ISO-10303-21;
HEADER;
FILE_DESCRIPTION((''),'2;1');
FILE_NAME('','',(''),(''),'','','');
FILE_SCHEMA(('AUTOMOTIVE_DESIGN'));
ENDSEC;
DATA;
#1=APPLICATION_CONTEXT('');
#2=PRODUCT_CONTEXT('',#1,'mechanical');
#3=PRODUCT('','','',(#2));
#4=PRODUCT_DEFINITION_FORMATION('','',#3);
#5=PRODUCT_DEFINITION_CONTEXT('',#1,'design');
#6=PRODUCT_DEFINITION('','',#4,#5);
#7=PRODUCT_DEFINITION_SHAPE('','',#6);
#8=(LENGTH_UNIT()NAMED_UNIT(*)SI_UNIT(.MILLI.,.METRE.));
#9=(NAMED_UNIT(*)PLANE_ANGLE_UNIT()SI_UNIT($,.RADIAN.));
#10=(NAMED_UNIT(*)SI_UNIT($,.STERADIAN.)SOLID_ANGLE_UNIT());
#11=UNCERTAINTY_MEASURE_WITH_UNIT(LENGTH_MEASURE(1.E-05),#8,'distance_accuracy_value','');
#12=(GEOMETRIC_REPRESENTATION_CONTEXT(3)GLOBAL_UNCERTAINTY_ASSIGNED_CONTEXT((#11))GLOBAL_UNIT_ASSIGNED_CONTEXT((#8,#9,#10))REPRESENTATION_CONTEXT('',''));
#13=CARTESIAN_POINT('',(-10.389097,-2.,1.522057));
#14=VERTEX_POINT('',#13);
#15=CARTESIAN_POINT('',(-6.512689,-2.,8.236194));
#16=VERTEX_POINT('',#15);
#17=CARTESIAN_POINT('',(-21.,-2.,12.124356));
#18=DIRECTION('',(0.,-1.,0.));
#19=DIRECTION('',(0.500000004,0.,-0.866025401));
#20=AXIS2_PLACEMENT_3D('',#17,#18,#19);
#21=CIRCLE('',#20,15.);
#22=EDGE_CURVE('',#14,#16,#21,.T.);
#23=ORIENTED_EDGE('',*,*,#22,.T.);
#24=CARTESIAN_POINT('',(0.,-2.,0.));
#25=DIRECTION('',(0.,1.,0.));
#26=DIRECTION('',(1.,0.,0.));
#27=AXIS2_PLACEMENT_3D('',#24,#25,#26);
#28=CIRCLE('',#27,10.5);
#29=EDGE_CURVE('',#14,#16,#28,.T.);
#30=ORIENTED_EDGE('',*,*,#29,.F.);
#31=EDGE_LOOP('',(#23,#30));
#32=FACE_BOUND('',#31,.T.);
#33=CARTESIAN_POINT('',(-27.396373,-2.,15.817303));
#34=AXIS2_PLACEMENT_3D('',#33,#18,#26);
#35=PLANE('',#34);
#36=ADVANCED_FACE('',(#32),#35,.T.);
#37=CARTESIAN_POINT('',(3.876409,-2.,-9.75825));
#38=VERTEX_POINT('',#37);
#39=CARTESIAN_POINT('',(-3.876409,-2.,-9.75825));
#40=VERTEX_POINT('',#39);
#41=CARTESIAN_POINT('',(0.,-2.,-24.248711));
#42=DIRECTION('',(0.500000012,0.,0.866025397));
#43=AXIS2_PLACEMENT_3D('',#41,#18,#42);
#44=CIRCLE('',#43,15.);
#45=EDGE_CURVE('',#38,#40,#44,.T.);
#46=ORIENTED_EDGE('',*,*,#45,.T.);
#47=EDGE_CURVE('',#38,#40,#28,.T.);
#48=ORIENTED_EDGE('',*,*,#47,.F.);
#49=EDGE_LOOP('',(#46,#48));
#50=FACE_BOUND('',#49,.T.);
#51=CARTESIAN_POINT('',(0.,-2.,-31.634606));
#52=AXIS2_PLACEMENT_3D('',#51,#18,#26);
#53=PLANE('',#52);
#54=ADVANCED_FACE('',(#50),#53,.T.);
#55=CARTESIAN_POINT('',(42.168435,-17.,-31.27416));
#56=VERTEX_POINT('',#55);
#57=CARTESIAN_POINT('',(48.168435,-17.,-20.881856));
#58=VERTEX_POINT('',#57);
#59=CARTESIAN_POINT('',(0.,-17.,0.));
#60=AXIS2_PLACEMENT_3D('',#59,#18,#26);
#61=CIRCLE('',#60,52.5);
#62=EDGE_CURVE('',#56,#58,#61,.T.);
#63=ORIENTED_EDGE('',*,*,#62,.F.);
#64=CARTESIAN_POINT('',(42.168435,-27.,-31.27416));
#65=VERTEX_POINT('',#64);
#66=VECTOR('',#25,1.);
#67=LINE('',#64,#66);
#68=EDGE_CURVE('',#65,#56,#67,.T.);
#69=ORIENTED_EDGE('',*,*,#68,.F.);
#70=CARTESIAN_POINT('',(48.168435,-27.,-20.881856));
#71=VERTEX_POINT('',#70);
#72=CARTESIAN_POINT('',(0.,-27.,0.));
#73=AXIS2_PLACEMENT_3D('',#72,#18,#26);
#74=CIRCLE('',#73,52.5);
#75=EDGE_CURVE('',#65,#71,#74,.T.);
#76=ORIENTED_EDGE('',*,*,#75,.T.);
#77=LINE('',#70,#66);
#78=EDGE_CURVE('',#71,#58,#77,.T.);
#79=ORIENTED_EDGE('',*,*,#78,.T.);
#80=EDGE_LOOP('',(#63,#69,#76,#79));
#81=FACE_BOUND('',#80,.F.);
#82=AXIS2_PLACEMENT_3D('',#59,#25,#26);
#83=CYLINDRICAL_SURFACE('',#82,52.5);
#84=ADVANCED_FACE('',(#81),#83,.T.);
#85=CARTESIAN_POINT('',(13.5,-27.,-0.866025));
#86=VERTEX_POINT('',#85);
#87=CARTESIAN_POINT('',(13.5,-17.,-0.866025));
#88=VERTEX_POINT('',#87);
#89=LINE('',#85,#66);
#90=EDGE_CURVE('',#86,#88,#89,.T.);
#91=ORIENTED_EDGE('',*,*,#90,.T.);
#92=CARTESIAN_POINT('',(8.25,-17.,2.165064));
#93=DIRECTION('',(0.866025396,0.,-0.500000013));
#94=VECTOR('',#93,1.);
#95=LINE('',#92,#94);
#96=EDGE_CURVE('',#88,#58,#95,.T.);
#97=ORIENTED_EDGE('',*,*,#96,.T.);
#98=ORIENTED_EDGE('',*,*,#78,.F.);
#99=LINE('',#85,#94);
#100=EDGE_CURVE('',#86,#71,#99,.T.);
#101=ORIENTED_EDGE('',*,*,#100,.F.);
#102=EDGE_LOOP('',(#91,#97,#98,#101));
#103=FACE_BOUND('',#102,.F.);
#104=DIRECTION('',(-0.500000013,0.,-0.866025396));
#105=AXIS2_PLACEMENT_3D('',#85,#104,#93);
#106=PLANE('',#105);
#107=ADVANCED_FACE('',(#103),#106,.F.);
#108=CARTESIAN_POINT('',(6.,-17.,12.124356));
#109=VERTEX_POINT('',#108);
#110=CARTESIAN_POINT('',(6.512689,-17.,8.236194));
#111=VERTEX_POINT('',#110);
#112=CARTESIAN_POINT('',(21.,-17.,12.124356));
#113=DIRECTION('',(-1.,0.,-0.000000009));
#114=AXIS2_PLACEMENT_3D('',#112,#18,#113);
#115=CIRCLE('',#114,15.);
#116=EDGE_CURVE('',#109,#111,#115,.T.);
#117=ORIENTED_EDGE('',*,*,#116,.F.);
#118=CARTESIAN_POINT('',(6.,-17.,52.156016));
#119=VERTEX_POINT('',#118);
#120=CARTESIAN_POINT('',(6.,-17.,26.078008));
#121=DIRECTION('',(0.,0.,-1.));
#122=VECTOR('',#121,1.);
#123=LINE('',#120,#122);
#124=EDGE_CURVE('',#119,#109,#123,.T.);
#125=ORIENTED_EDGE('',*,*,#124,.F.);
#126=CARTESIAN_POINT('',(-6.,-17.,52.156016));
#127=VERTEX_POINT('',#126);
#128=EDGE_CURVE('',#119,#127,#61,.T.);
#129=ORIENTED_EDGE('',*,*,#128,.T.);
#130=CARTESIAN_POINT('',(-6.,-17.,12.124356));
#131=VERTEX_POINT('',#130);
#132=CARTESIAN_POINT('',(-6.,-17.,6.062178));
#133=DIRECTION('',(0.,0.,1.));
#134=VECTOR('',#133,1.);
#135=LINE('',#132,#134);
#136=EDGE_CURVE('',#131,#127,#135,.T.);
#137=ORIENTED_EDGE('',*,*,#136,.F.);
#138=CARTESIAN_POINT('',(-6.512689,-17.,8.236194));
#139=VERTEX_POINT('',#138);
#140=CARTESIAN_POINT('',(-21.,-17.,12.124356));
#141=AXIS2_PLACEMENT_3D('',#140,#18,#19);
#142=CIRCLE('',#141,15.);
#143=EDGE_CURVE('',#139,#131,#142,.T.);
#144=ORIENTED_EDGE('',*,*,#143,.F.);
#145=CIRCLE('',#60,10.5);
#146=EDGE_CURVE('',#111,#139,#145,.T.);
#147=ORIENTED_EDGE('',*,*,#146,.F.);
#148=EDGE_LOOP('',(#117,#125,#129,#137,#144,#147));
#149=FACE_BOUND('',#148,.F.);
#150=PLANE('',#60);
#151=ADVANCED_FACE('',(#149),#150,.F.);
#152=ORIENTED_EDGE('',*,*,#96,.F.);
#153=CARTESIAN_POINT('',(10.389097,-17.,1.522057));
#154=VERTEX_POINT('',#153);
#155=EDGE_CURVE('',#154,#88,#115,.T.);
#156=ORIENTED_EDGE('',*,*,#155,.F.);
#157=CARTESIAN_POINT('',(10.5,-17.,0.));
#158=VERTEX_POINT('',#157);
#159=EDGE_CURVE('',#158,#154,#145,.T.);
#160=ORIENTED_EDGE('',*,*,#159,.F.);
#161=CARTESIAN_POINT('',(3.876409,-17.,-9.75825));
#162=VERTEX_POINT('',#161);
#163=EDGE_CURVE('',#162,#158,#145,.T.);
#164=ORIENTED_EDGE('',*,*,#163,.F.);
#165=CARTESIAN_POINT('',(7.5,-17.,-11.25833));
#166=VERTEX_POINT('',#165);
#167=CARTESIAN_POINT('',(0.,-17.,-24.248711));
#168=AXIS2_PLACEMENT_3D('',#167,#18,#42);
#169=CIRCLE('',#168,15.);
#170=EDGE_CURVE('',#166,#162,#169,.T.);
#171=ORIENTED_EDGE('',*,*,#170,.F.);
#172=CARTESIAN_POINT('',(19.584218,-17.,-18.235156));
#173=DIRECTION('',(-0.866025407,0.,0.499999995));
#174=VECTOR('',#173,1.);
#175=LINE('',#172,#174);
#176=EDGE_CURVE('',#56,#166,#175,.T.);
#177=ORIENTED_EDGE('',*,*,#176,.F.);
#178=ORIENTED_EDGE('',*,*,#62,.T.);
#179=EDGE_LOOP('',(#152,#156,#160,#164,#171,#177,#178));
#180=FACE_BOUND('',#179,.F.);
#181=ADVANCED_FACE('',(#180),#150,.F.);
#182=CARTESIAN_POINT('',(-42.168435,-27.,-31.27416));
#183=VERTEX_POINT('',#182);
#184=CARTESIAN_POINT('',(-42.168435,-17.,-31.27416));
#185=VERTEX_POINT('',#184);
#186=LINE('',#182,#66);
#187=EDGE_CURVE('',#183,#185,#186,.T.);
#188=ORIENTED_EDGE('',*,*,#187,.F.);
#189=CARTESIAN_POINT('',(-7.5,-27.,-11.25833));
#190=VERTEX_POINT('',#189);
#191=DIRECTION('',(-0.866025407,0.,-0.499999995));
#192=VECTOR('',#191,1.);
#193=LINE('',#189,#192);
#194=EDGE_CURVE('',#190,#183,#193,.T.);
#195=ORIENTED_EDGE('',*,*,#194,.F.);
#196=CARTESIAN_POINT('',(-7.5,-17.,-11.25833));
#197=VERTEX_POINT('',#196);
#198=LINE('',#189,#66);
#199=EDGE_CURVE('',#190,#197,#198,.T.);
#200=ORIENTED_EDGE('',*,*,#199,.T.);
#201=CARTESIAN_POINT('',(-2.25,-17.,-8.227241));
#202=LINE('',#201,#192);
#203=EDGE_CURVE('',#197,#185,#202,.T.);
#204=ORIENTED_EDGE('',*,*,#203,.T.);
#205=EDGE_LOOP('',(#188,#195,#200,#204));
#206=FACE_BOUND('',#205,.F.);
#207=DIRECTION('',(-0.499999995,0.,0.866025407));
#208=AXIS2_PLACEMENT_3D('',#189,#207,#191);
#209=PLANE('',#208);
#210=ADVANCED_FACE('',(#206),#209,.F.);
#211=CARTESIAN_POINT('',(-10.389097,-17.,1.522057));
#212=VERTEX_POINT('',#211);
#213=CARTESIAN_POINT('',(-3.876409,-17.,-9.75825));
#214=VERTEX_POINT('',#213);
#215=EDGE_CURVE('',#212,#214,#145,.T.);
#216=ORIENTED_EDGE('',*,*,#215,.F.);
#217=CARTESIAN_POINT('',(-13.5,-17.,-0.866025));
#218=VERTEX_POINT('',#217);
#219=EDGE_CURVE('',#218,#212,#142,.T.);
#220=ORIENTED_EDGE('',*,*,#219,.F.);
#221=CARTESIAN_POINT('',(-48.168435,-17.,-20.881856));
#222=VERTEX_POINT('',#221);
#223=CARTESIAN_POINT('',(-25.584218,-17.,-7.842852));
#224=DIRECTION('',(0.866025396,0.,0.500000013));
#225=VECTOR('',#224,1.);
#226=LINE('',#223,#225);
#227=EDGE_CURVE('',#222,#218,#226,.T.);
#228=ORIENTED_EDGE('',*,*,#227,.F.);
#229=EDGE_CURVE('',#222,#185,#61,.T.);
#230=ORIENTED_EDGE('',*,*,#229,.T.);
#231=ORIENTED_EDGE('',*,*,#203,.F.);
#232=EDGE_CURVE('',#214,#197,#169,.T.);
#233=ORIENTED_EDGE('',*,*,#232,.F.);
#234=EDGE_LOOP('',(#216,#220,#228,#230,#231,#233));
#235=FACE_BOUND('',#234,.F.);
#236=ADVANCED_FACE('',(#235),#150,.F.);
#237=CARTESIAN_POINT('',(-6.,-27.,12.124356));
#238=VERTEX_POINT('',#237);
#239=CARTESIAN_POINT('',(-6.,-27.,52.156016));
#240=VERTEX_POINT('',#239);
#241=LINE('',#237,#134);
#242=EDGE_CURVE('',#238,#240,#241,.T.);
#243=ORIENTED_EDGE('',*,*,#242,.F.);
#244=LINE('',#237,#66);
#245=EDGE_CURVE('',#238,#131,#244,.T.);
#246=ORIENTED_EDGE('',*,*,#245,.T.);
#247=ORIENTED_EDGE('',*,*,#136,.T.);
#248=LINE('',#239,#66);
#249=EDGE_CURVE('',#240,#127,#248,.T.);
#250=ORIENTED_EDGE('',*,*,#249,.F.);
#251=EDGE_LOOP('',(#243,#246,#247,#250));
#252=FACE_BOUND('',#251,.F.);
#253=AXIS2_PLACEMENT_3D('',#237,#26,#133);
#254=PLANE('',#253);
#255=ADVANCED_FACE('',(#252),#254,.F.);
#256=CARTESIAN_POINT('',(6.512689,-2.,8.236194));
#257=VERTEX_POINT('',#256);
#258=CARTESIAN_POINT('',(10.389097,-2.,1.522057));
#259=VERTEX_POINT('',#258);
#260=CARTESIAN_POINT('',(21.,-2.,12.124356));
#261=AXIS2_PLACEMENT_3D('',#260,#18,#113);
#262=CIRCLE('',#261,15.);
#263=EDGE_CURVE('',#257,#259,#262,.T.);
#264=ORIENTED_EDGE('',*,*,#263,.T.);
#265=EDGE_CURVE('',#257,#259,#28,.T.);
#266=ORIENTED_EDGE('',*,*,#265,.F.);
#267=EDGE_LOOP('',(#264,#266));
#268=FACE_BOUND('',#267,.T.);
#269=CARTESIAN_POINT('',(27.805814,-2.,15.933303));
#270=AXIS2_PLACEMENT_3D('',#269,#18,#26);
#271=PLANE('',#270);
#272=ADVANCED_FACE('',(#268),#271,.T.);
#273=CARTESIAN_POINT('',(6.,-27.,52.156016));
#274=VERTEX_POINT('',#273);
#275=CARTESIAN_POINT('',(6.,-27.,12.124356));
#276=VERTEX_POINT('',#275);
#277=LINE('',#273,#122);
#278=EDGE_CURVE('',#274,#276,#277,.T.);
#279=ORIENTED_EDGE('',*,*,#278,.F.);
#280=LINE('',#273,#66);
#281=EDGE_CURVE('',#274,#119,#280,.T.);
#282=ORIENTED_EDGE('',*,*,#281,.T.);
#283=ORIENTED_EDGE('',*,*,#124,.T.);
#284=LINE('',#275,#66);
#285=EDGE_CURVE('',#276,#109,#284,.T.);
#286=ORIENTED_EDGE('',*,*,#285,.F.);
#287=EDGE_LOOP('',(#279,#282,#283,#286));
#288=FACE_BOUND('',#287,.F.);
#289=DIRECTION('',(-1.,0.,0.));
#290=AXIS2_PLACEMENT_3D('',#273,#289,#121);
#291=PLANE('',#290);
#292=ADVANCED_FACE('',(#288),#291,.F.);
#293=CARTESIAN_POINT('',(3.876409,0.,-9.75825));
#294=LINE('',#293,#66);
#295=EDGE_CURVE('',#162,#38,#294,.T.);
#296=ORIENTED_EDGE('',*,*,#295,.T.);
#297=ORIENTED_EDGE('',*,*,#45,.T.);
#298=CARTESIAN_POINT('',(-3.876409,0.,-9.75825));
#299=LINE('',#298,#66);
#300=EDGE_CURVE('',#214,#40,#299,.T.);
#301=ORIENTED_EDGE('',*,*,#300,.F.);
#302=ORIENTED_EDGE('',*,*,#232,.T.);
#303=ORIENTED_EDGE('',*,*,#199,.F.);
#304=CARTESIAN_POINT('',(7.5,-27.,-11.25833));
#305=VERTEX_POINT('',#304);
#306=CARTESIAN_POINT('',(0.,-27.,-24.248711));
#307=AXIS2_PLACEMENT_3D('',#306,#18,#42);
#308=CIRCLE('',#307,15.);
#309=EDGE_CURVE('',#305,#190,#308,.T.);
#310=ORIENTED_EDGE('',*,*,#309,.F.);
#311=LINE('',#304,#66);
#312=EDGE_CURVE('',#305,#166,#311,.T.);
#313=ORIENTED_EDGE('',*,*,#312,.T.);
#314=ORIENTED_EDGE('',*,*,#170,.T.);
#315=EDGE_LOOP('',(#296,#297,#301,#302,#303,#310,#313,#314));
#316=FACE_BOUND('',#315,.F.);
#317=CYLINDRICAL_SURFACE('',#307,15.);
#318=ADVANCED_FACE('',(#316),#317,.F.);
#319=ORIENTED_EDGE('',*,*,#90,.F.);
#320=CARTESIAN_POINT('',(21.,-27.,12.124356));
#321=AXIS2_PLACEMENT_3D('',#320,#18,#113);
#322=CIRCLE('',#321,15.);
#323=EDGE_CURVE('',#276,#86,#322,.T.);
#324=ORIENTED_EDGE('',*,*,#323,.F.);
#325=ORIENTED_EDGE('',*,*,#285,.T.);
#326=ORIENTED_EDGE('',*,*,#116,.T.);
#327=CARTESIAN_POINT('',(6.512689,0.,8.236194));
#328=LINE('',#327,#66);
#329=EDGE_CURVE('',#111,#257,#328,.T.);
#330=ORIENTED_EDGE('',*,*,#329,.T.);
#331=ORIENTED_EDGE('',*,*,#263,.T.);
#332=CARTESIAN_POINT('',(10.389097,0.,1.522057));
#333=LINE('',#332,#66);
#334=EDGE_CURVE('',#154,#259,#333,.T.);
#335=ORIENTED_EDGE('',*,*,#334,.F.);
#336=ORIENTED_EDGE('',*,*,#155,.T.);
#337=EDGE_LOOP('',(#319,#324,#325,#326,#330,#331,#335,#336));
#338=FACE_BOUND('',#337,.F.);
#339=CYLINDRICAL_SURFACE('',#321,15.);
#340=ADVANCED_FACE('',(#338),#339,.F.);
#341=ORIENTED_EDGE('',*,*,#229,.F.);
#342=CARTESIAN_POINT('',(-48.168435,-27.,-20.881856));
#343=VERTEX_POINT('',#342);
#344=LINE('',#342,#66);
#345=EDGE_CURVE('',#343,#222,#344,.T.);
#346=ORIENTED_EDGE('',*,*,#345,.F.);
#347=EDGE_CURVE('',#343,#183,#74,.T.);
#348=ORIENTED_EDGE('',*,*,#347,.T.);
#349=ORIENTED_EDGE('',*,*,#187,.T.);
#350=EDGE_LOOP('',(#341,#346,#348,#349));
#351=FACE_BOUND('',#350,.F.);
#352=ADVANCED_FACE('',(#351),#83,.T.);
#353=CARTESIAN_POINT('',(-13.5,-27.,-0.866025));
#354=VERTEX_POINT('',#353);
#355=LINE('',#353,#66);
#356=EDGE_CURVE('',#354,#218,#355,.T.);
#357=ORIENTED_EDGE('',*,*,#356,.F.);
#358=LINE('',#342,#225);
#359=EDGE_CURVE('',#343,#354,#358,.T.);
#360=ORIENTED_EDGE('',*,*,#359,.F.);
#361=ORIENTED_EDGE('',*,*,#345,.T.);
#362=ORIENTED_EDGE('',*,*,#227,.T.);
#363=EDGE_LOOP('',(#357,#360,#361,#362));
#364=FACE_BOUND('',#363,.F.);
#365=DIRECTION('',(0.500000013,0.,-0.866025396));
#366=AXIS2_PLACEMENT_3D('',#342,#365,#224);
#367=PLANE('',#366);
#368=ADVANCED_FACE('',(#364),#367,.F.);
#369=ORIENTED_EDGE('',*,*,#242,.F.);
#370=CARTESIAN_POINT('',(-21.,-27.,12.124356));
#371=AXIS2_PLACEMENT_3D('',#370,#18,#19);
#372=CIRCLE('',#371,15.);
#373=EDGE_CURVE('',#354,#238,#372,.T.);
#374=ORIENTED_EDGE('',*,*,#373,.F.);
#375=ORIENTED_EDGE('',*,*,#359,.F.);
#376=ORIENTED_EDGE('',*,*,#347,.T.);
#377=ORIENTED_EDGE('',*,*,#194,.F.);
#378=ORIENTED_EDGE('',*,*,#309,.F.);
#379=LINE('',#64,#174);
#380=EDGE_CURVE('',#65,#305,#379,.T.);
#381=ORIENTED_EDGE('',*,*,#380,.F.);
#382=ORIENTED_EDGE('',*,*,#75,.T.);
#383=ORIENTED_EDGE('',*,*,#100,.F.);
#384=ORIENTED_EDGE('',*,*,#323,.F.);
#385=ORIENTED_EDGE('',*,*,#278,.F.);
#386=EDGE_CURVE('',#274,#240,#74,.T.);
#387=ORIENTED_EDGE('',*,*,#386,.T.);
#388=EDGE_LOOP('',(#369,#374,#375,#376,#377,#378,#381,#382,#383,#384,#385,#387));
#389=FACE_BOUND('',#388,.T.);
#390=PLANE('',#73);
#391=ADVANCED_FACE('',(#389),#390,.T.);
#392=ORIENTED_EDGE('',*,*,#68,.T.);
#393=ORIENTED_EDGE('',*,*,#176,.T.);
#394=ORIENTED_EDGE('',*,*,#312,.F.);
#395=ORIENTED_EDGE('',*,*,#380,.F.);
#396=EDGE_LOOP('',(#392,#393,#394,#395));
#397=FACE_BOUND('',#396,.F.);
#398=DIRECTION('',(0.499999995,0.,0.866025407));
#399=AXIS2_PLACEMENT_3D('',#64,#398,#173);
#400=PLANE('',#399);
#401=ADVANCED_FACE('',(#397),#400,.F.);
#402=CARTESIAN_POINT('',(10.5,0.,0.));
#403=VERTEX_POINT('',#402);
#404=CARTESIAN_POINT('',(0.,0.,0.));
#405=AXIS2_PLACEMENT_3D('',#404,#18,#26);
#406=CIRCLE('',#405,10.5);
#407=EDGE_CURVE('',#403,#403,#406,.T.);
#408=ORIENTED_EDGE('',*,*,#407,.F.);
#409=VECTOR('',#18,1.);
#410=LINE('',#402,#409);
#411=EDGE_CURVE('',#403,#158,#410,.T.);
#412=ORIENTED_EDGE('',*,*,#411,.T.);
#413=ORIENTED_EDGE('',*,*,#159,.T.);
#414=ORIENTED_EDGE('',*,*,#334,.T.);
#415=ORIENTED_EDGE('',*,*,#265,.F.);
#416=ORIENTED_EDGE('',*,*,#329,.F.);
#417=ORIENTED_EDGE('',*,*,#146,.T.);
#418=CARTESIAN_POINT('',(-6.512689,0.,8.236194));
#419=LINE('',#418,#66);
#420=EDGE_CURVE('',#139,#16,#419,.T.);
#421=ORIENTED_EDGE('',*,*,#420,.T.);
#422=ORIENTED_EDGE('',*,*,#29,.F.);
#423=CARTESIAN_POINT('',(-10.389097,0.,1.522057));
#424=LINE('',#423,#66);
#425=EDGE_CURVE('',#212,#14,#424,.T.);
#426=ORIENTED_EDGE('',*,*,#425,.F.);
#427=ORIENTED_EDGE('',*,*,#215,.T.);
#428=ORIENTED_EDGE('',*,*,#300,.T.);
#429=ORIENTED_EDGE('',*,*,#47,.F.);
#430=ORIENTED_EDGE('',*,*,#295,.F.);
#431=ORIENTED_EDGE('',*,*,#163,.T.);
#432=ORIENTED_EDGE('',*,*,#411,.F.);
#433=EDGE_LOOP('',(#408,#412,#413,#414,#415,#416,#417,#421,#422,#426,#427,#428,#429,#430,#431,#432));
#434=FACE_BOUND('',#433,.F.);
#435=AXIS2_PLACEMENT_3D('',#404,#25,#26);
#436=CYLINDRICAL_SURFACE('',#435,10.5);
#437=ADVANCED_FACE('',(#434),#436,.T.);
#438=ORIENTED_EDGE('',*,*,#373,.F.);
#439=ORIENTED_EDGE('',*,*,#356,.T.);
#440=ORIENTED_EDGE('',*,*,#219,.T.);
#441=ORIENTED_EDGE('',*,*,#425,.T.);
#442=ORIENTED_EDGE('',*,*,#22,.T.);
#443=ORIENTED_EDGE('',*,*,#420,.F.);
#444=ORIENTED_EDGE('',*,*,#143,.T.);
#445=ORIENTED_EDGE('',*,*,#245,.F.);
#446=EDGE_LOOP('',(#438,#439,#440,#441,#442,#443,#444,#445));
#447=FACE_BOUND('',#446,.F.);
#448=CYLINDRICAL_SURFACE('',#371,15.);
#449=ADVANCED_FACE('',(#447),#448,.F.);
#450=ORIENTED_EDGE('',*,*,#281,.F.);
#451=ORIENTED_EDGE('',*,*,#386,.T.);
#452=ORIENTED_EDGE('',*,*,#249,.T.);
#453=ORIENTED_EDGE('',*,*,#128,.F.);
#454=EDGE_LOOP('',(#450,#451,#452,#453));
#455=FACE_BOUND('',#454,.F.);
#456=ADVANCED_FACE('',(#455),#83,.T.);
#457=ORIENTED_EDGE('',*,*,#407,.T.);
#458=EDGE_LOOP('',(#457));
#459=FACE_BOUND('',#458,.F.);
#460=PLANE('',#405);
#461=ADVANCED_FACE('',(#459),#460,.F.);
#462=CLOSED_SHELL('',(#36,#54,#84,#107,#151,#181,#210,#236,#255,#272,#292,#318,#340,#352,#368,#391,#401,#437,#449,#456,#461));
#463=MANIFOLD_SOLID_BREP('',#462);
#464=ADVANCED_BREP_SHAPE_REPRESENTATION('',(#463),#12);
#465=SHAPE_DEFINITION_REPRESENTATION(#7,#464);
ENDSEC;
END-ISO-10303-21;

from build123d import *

# Parameters (mm, degrees)
F0_R     = 10.5
F1_DEPTH = 17
F2_R     = 52.5
F3_DEPTH = 10
F5_DEPTH = 25


with BuildPart() as f1:
    # F0 (on Front) → F1 (new body)
    with BuildSketch(Plane.XZ):
        Circle(F0_R)
    extrude(amount=F1_DEPTH)

    # F2 (on face) → F3 (join)
    with BuildSketch(Plane.XZ.offset(17)):
        Circle(F2_R)
    extrude(amount=F3_DEPTH)

    # F4 (on face) → F5 (cut)
    with BuildSketch(Plane.XZ.offset(27)):
        with BuildLine():
            ThreePointArc((-13.5, -0.866025), (-8.009619, 4.624356), (-6, 12.124356))
            Line((-6, 12.124356), (-6, 52.156016))
            ThreePointArc((-6, 52.156016), (-45.466334, 26.25), (-48.168435, -20.881856))
            Line((-48.168435, -20.881856), (-13.5, -0.866025))
        make_face()
        with BuildLine():
            ThreePointArc((52.5, 0), (39.187051, 34.937444), (6, 52.156016))
            Line((6, 52.156016), (6, 12.124356))
            ThreePointArc((6, 12.124356), (8.009619, 4.624356), (13.5, -0.866025))
            Line((13.5, -0.866025), (48.168435, -20.881856))
            ThreePointArc((48.168435, -20.881856), (51.405704, -10.663188), (52.5, 0))
        make_face()
        with BuildLine():
            Line((-7.5, -11.25833), (-42.168435, -31.27416))
            ThreePointArc((-42.168435, -31.27416), (0, -52.5), (42.168435, -31.27416))
            Line((42.168435, -31.27416), (7.5, -11.25833))
            ThreePointArc((7.5, -11.25833), (0, -9.248711), (-7.5, -11.25833))
        make_face()
    extrude(amount=-F5_DEPTH, mode=Mode.SUBTRACT)


solid = f1.part
